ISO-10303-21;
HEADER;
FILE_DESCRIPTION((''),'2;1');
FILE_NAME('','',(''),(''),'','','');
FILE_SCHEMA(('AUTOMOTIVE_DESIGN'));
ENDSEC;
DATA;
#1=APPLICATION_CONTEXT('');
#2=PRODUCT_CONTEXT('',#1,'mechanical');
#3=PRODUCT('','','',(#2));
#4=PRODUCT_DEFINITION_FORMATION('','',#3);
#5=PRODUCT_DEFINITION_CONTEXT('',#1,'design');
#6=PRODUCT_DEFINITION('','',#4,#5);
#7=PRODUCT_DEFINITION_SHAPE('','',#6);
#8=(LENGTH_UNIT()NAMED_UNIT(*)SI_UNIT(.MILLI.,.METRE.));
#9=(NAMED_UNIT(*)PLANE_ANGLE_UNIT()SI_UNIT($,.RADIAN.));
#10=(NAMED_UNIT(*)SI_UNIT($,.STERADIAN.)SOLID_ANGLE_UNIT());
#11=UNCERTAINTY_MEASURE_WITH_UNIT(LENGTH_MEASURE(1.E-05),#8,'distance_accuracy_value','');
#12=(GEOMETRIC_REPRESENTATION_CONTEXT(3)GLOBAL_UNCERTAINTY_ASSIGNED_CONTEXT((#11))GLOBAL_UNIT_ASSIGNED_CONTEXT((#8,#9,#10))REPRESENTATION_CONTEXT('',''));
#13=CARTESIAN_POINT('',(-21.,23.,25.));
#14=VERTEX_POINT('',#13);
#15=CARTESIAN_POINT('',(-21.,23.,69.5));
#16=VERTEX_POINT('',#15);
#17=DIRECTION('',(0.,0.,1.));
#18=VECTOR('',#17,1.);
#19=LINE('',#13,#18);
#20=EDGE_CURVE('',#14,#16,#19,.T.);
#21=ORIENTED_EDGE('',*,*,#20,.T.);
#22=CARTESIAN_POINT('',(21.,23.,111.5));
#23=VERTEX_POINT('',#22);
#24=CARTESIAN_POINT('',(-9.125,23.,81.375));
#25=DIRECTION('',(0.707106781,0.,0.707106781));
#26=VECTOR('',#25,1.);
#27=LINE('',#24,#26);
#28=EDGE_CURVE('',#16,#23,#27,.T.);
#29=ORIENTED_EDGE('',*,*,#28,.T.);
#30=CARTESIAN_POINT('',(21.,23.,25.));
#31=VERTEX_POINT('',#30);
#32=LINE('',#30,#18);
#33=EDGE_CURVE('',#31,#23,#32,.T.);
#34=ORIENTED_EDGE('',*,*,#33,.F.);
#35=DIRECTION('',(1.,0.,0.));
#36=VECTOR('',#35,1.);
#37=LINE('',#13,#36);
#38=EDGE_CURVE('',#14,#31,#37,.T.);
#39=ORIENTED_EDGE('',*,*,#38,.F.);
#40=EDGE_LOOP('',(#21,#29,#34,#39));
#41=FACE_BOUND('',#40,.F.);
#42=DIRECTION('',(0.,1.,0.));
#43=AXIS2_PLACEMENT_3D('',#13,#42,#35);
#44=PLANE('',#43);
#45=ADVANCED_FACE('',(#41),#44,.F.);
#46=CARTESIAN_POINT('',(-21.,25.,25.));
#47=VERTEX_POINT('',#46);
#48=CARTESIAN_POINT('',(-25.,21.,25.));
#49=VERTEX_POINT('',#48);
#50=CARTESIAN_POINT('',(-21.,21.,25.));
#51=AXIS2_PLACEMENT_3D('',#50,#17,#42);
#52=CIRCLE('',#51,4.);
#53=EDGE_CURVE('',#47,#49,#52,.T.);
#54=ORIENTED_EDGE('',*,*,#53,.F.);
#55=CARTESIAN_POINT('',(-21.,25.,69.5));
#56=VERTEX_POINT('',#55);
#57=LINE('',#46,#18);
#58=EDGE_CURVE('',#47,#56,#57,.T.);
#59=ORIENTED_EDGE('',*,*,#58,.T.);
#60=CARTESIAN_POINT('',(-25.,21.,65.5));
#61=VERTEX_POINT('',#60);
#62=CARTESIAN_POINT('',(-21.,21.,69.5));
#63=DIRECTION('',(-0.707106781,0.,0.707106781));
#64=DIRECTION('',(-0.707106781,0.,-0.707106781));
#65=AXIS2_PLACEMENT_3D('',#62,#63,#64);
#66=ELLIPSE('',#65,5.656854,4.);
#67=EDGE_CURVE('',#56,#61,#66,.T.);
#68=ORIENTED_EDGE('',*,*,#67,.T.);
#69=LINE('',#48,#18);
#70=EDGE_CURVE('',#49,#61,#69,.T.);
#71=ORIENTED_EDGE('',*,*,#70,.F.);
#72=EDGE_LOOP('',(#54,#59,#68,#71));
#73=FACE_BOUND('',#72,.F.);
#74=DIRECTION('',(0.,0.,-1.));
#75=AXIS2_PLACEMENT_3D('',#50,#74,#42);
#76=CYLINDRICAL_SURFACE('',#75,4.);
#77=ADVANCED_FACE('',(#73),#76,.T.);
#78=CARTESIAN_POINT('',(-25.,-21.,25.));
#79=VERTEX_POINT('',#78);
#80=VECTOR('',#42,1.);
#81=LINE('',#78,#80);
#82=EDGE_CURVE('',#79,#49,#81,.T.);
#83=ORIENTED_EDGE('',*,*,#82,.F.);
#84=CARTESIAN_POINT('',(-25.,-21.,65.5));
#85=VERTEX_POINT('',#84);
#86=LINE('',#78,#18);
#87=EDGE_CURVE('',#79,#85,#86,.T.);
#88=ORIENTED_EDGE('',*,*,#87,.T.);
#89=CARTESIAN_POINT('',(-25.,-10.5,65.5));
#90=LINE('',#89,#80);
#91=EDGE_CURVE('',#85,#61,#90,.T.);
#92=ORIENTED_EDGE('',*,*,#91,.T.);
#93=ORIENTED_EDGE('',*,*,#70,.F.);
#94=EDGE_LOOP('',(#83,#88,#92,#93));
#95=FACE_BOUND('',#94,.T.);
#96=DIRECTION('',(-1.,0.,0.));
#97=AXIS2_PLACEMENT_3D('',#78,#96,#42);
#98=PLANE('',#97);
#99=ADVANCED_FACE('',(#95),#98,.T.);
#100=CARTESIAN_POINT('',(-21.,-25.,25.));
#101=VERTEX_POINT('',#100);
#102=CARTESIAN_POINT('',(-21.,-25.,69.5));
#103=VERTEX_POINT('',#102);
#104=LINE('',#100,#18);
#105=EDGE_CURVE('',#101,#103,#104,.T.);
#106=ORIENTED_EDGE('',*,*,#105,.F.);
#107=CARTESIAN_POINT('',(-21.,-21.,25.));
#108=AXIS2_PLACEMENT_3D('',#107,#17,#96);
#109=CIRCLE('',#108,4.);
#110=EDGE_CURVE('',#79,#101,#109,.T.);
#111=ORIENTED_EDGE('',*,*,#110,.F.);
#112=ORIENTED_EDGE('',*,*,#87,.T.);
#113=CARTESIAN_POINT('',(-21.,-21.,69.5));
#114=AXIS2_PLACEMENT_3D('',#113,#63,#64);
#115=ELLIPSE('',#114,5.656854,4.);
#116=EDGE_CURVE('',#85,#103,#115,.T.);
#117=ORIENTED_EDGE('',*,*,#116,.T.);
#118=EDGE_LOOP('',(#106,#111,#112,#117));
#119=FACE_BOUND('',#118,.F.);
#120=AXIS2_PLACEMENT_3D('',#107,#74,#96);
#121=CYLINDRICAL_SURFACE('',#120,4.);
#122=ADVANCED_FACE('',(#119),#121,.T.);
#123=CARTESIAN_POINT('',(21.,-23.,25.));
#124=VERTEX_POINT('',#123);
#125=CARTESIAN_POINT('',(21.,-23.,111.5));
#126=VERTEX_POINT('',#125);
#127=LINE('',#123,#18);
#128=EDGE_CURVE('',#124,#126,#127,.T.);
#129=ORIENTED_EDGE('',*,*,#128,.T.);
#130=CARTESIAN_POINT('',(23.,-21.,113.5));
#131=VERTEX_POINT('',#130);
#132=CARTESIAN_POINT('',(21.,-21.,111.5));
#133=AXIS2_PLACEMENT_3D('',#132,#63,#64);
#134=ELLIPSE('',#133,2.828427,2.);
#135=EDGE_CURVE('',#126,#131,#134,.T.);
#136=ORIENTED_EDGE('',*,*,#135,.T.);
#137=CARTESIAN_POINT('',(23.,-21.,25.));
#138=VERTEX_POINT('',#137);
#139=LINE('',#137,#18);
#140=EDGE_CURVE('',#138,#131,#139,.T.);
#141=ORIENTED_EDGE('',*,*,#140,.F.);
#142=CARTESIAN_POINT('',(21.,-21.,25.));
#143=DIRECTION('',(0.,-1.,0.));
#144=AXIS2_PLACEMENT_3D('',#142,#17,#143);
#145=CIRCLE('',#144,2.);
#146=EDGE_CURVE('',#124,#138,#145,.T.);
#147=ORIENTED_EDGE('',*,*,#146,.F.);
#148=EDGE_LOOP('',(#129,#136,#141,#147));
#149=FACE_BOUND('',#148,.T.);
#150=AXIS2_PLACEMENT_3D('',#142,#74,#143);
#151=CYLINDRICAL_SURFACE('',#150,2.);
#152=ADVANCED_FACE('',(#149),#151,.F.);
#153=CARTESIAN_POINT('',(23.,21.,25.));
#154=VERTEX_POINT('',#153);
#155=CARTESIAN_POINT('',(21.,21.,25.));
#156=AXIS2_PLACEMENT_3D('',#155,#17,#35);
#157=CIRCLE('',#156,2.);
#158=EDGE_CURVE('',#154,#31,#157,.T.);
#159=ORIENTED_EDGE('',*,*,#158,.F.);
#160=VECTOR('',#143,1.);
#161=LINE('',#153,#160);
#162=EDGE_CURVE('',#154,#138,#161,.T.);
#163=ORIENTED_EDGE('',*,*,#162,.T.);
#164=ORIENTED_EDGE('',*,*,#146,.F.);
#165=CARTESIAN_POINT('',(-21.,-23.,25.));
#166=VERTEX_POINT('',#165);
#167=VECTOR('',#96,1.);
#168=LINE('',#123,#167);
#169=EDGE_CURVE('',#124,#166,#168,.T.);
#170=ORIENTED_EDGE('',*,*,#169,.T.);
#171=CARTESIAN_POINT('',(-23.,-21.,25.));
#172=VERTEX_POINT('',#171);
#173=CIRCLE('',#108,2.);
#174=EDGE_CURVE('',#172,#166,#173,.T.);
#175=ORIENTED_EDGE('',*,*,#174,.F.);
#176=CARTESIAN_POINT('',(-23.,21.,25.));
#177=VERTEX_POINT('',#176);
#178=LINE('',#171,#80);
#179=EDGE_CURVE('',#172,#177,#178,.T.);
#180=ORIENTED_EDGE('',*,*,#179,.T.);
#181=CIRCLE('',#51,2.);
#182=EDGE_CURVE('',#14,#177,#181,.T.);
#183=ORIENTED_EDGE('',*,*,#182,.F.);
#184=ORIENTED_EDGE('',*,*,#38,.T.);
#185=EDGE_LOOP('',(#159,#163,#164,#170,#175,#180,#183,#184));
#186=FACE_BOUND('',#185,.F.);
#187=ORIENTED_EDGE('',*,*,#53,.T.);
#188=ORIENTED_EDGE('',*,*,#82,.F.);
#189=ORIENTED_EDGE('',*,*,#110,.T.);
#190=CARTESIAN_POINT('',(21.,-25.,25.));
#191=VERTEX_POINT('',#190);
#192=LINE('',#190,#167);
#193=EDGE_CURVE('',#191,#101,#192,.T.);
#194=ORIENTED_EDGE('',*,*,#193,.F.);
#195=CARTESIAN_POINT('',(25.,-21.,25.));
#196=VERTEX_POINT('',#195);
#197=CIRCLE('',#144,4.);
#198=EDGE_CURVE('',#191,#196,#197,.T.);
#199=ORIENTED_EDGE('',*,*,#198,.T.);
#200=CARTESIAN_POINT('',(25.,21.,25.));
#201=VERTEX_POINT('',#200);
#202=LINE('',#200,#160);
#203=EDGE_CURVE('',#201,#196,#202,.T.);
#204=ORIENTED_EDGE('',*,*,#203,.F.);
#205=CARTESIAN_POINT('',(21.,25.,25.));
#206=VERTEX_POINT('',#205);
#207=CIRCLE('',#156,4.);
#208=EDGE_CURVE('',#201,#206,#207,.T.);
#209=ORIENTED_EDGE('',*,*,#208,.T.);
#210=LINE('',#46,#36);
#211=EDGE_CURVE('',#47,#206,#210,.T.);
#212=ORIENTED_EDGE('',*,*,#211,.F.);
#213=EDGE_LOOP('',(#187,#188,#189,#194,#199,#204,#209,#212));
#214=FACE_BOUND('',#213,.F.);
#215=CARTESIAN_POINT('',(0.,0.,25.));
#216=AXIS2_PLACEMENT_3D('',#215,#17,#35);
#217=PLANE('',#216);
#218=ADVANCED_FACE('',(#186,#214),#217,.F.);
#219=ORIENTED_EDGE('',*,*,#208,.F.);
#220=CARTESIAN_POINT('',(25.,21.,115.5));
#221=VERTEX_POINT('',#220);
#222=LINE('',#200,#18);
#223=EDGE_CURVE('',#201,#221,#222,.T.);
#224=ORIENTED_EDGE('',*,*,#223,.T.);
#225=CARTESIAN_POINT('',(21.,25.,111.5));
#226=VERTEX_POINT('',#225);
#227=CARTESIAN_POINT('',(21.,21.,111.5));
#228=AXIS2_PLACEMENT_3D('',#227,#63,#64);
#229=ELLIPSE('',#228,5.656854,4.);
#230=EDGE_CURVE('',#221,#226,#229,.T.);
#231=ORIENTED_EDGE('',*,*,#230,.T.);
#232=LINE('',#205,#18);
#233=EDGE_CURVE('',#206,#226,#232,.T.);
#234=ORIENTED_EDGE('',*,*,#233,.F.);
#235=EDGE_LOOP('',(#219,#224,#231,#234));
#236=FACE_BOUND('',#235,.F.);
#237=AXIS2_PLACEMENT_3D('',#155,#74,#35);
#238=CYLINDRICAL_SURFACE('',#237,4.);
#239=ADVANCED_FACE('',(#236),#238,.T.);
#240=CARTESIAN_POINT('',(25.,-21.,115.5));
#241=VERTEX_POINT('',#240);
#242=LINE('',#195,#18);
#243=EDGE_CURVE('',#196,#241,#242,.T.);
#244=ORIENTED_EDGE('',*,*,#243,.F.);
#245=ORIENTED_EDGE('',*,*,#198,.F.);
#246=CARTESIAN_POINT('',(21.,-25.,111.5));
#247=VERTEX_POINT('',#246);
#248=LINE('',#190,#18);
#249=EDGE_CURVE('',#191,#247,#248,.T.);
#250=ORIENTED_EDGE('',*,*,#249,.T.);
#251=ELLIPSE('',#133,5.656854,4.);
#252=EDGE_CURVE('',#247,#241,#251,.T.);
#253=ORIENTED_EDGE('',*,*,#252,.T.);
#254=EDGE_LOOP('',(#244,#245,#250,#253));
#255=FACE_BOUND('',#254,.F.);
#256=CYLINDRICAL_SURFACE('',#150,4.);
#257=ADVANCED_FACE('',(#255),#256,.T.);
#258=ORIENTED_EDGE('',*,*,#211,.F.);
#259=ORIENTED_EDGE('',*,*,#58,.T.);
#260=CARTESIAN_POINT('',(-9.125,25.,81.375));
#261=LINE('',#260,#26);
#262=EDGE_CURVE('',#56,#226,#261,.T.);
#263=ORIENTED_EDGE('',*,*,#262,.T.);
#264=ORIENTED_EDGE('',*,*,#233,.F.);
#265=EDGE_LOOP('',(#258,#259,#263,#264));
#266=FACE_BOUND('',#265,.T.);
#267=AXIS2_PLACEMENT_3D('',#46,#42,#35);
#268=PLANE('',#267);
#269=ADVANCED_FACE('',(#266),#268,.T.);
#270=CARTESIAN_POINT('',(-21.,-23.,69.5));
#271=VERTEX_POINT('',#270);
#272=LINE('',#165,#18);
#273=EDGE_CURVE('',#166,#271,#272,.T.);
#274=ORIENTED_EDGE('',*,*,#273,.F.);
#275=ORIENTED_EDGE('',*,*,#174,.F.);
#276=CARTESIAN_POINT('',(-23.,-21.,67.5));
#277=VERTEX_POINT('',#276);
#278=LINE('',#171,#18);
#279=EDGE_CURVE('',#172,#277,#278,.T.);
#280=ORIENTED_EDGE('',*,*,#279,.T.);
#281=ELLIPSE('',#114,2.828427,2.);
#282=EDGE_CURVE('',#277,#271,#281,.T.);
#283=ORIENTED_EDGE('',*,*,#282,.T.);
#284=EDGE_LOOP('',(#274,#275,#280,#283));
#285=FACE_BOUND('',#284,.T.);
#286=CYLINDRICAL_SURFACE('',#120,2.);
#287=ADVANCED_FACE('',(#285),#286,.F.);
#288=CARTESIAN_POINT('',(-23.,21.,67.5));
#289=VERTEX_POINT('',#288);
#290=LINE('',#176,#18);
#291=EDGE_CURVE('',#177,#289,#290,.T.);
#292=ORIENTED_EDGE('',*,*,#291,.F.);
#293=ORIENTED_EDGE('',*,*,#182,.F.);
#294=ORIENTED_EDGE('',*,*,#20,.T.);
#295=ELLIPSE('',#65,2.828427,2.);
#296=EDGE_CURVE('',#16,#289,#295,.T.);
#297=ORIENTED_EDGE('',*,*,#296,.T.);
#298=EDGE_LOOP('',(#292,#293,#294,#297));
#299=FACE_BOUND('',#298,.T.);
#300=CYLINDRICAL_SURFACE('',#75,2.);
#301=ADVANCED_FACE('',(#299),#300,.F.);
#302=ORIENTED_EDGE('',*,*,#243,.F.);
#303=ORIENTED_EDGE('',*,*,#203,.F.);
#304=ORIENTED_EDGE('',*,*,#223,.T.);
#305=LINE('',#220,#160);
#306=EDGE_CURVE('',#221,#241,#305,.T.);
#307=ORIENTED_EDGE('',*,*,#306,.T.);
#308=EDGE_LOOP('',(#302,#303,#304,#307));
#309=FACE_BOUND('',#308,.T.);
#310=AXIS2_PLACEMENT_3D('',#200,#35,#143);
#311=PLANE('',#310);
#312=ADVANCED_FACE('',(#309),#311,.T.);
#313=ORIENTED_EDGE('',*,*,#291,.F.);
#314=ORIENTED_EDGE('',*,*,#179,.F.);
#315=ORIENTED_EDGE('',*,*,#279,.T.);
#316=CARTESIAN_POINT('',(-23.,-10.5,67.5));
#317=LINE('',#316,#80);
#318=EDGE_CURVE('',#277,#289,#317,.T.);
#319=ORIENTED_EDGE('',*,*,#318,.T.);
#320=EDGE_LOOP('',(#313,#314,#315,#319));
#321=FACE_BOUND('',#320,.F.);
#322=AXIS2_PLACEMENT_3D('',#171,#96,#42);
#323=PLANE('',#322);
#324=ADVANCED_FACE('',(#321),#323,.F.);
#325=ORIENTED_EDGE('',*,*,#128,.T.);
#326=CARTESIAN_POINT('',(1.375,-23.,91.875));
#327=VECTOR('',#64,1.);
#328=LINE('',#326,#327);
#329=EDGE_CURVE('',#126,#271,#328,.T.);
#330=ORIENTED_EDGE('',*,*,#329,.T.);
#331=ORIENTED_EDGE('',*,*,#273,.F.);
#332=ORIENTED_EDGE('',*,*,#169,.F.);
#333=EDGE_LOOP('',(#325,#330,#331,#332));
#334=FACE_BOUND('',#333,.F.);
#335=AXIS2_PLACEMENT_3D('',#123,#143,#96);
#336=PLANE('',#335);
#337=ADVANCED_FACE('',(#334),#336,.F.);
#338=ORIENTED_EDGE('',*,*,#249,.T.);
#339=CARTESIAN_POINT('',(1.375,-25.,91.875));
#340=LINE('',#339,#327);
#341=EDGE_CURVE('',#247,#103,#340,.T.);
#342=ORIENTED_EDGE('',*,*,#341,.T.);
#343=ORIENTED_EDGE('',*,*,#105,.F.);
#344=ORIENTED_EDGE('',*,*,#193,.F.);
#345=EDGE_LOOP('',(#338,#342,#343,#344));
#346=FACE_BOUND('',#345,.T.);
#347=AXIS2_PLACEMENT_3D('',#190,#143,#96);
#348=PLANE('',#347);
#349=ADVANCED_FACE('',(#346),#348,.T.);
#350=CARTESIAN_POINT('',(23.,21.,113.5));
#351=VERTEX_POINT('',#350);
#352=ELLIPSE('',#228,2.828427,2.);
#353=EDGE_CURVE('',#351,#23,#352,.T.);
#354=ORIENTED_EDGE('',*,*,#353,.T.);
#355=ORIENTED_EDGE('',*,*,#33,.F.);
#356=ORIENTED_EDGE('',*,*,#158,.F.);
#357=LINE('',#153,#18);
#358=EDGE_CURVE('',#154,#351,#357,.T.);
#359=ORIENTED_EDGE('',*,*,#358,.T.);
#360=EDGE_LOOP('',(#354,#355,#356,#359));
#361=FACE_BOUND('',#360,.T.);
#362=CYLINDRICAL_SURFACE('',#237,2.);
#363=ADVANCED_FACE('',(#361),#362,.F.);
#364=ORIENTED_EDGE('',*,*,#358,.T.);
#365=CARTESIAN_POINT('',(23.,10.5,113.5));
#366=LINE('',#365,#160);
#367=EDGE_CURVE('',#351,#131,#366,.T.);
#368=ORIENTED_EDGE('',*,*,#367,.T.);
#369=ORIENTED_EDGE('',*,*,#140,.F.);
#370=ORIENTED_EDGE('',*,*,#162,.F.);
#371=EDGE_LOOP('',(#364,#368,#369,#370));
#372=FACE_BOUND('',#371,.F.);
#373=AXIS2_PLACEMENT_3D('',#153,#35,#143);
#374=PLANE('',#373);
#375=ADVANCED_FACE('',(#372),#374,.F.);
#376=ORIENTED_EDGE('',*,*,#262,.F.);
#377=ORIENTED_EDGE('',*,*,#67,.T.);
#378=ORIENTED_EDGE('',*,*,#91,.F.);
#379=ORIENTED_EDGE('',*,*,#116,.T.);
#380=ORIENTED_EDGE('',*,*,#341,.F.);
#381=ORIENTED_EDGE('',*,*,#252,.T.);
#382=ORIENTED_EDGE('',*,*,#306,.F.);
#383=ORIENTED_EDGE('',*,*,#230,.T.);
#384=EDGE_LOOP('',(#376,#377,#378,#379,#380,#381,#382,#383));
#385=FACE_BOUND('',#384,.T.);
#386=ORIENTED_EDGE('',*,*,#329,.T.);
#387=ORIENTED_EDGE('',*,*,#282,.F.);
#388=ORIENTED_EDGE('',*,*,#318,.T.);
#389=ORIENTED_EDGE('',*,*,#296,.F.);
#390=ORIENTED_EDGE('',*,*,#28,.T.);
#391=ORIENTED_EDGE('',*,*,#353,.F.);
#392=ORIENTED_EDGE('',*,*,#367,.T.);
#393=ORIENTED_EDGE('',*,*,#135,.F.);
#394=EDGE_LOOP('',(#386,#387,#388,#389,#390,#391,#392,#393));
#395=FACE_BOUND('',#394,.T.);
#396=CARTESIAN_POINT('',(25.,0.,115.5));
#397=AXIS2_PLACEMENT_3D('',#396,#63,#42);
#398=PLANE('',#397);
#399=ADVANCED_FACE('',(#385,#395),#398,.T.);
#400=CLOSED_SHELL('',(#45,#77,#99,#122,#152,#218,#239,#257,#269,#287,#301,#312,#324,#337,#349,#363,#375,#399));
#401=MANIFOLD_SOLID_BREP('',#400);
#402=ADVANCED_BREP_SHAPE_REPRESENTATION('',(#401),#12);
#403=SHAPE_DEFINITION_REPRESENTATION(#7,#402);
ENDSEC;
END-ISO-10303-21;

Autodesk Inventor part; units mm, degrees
ref_plane "Start Plane" through (0, 0, 25) normal (0, 0, 1) x (1, 0, 0)
ref_plane "End Plane" through (0, 0, 115.5) normal (0, 0, 1) x (1, 0, 0)
sketch "Sketch" plane through (0, 0, 0) normal (0, 0, 1) x (1, 0, 0)
  line L0 (-25, -21) -> (-25, 21)
  line L1 (-21, 25) -> (21, 25)
  line L2 (25, 21) -> (25, -21)
  line L3 (21, -25) -> (-21, -25)
  arc A0 (-25, -21) -> (-21, -25) centre (-21, -21) ccw
  arc A1 (25, 21) -> (21, 25) centre (21, 21) ccw
  arc A2 (-21, 25) -> (-25, 21) centre (-21, 21) ccw
  arc A3 (21, -25) -> (25, -21) centre (21, -21) ccw
  arc A4 (-21, 23) -> (-23, 21) centre (-21, 21) ccw
  line L4 (-21, 23) -> (21, 23)
  arc A5 (23, 21) -> (21, 23) centre (21, 21) ccw
  line L5 (23, 21) -> (23, -21)
  arc A6 (21, -23) -> (23, -21) centre (21, -21) ccw
  line L6 (21, -23) -> (-21, -23)
  arc A7 (-23, -21) -> (-21, -23) centre (-21, -21) ccw
  line L7 (-23, -21) -> (-23, 21)
  line L8 (0, 36.1598) -> (0, -36.1598) construction
  line L9 (-36.1598, 0) -> (36.1598, 0) construction
  dimension "d7" = 4
  dimension "d9" = 50
  dimension "d11" = 50
  dimension "d12" = 2
  dimension "d15" = 25
  dimension "d16" = 25
extrude "Body" add sketch "Sketch" along normal up to surface (90.5 mm away) from surface at 25
sketch "Sketch3" plane through (0, 0, 0) normal (0, 0, 1) x (1, 0, 0)
  line L0 (0, 0) -> (10, 0)
ref_plane "Work Plane3" through (0, 0, 0) normal (0, -1, 0) x (1, 0, 0)
sketch "Sketch4" plane through (0, 0, 0) normal (0, -1, 0) x (1, 0, 0)
  line L0 (-2, 25) -> (12, 25)
  line L1 (-2, 115.5) -> (12, 115.5)
  dimension "d18" = 90.5
ref_plane "Work Plane4" through (25, 0, 115.5) normal (-0.7071, 0, 0.7071) x (0.7071, 0, 0.7071)
split "Split1" plane through (25, 0, 115.5) removes the side toward (-0.7071, 0, 0.7071)
ref_plane "Work Plane5" through (21, -1672.75, 25) normal (0, 0, -1) x (-1, 0, 0)
split "Split2" plane through (21, -1672.75, 25) removes the side toward (0, 0, -1)
equation "\"d7\" = G_IR"
equation "\"d9\" = G_W"
equation "\"d11\" = G_H"
equation "\"d12\" = G_T"
equation "\"d15\" = 0.5 * d9"
equation "\"d16\" = 0.5 * d11"
equation "\"d3\" = G_L"
equation "\"G_W\" = 50"
equation "\"G_H\" = 50"
equation "\"G_T\" = 2"
equation "\"G_IR\" = 4"
equation "\"G_L\" = d18"
equation "\"G_OFFSET_START\" = -25"
equation "\"G_OFFSET_END\" = 25"
equation "\"d13\" = -G_OFFSET_START"
equation "\"d14\" = G_OFFSET_END + B_L"
equation "\"B_L\" = 90.5"
properties part number "ISO 10799-2 - 50x50x2 - 90.5" material "Steel, Galvanized"
